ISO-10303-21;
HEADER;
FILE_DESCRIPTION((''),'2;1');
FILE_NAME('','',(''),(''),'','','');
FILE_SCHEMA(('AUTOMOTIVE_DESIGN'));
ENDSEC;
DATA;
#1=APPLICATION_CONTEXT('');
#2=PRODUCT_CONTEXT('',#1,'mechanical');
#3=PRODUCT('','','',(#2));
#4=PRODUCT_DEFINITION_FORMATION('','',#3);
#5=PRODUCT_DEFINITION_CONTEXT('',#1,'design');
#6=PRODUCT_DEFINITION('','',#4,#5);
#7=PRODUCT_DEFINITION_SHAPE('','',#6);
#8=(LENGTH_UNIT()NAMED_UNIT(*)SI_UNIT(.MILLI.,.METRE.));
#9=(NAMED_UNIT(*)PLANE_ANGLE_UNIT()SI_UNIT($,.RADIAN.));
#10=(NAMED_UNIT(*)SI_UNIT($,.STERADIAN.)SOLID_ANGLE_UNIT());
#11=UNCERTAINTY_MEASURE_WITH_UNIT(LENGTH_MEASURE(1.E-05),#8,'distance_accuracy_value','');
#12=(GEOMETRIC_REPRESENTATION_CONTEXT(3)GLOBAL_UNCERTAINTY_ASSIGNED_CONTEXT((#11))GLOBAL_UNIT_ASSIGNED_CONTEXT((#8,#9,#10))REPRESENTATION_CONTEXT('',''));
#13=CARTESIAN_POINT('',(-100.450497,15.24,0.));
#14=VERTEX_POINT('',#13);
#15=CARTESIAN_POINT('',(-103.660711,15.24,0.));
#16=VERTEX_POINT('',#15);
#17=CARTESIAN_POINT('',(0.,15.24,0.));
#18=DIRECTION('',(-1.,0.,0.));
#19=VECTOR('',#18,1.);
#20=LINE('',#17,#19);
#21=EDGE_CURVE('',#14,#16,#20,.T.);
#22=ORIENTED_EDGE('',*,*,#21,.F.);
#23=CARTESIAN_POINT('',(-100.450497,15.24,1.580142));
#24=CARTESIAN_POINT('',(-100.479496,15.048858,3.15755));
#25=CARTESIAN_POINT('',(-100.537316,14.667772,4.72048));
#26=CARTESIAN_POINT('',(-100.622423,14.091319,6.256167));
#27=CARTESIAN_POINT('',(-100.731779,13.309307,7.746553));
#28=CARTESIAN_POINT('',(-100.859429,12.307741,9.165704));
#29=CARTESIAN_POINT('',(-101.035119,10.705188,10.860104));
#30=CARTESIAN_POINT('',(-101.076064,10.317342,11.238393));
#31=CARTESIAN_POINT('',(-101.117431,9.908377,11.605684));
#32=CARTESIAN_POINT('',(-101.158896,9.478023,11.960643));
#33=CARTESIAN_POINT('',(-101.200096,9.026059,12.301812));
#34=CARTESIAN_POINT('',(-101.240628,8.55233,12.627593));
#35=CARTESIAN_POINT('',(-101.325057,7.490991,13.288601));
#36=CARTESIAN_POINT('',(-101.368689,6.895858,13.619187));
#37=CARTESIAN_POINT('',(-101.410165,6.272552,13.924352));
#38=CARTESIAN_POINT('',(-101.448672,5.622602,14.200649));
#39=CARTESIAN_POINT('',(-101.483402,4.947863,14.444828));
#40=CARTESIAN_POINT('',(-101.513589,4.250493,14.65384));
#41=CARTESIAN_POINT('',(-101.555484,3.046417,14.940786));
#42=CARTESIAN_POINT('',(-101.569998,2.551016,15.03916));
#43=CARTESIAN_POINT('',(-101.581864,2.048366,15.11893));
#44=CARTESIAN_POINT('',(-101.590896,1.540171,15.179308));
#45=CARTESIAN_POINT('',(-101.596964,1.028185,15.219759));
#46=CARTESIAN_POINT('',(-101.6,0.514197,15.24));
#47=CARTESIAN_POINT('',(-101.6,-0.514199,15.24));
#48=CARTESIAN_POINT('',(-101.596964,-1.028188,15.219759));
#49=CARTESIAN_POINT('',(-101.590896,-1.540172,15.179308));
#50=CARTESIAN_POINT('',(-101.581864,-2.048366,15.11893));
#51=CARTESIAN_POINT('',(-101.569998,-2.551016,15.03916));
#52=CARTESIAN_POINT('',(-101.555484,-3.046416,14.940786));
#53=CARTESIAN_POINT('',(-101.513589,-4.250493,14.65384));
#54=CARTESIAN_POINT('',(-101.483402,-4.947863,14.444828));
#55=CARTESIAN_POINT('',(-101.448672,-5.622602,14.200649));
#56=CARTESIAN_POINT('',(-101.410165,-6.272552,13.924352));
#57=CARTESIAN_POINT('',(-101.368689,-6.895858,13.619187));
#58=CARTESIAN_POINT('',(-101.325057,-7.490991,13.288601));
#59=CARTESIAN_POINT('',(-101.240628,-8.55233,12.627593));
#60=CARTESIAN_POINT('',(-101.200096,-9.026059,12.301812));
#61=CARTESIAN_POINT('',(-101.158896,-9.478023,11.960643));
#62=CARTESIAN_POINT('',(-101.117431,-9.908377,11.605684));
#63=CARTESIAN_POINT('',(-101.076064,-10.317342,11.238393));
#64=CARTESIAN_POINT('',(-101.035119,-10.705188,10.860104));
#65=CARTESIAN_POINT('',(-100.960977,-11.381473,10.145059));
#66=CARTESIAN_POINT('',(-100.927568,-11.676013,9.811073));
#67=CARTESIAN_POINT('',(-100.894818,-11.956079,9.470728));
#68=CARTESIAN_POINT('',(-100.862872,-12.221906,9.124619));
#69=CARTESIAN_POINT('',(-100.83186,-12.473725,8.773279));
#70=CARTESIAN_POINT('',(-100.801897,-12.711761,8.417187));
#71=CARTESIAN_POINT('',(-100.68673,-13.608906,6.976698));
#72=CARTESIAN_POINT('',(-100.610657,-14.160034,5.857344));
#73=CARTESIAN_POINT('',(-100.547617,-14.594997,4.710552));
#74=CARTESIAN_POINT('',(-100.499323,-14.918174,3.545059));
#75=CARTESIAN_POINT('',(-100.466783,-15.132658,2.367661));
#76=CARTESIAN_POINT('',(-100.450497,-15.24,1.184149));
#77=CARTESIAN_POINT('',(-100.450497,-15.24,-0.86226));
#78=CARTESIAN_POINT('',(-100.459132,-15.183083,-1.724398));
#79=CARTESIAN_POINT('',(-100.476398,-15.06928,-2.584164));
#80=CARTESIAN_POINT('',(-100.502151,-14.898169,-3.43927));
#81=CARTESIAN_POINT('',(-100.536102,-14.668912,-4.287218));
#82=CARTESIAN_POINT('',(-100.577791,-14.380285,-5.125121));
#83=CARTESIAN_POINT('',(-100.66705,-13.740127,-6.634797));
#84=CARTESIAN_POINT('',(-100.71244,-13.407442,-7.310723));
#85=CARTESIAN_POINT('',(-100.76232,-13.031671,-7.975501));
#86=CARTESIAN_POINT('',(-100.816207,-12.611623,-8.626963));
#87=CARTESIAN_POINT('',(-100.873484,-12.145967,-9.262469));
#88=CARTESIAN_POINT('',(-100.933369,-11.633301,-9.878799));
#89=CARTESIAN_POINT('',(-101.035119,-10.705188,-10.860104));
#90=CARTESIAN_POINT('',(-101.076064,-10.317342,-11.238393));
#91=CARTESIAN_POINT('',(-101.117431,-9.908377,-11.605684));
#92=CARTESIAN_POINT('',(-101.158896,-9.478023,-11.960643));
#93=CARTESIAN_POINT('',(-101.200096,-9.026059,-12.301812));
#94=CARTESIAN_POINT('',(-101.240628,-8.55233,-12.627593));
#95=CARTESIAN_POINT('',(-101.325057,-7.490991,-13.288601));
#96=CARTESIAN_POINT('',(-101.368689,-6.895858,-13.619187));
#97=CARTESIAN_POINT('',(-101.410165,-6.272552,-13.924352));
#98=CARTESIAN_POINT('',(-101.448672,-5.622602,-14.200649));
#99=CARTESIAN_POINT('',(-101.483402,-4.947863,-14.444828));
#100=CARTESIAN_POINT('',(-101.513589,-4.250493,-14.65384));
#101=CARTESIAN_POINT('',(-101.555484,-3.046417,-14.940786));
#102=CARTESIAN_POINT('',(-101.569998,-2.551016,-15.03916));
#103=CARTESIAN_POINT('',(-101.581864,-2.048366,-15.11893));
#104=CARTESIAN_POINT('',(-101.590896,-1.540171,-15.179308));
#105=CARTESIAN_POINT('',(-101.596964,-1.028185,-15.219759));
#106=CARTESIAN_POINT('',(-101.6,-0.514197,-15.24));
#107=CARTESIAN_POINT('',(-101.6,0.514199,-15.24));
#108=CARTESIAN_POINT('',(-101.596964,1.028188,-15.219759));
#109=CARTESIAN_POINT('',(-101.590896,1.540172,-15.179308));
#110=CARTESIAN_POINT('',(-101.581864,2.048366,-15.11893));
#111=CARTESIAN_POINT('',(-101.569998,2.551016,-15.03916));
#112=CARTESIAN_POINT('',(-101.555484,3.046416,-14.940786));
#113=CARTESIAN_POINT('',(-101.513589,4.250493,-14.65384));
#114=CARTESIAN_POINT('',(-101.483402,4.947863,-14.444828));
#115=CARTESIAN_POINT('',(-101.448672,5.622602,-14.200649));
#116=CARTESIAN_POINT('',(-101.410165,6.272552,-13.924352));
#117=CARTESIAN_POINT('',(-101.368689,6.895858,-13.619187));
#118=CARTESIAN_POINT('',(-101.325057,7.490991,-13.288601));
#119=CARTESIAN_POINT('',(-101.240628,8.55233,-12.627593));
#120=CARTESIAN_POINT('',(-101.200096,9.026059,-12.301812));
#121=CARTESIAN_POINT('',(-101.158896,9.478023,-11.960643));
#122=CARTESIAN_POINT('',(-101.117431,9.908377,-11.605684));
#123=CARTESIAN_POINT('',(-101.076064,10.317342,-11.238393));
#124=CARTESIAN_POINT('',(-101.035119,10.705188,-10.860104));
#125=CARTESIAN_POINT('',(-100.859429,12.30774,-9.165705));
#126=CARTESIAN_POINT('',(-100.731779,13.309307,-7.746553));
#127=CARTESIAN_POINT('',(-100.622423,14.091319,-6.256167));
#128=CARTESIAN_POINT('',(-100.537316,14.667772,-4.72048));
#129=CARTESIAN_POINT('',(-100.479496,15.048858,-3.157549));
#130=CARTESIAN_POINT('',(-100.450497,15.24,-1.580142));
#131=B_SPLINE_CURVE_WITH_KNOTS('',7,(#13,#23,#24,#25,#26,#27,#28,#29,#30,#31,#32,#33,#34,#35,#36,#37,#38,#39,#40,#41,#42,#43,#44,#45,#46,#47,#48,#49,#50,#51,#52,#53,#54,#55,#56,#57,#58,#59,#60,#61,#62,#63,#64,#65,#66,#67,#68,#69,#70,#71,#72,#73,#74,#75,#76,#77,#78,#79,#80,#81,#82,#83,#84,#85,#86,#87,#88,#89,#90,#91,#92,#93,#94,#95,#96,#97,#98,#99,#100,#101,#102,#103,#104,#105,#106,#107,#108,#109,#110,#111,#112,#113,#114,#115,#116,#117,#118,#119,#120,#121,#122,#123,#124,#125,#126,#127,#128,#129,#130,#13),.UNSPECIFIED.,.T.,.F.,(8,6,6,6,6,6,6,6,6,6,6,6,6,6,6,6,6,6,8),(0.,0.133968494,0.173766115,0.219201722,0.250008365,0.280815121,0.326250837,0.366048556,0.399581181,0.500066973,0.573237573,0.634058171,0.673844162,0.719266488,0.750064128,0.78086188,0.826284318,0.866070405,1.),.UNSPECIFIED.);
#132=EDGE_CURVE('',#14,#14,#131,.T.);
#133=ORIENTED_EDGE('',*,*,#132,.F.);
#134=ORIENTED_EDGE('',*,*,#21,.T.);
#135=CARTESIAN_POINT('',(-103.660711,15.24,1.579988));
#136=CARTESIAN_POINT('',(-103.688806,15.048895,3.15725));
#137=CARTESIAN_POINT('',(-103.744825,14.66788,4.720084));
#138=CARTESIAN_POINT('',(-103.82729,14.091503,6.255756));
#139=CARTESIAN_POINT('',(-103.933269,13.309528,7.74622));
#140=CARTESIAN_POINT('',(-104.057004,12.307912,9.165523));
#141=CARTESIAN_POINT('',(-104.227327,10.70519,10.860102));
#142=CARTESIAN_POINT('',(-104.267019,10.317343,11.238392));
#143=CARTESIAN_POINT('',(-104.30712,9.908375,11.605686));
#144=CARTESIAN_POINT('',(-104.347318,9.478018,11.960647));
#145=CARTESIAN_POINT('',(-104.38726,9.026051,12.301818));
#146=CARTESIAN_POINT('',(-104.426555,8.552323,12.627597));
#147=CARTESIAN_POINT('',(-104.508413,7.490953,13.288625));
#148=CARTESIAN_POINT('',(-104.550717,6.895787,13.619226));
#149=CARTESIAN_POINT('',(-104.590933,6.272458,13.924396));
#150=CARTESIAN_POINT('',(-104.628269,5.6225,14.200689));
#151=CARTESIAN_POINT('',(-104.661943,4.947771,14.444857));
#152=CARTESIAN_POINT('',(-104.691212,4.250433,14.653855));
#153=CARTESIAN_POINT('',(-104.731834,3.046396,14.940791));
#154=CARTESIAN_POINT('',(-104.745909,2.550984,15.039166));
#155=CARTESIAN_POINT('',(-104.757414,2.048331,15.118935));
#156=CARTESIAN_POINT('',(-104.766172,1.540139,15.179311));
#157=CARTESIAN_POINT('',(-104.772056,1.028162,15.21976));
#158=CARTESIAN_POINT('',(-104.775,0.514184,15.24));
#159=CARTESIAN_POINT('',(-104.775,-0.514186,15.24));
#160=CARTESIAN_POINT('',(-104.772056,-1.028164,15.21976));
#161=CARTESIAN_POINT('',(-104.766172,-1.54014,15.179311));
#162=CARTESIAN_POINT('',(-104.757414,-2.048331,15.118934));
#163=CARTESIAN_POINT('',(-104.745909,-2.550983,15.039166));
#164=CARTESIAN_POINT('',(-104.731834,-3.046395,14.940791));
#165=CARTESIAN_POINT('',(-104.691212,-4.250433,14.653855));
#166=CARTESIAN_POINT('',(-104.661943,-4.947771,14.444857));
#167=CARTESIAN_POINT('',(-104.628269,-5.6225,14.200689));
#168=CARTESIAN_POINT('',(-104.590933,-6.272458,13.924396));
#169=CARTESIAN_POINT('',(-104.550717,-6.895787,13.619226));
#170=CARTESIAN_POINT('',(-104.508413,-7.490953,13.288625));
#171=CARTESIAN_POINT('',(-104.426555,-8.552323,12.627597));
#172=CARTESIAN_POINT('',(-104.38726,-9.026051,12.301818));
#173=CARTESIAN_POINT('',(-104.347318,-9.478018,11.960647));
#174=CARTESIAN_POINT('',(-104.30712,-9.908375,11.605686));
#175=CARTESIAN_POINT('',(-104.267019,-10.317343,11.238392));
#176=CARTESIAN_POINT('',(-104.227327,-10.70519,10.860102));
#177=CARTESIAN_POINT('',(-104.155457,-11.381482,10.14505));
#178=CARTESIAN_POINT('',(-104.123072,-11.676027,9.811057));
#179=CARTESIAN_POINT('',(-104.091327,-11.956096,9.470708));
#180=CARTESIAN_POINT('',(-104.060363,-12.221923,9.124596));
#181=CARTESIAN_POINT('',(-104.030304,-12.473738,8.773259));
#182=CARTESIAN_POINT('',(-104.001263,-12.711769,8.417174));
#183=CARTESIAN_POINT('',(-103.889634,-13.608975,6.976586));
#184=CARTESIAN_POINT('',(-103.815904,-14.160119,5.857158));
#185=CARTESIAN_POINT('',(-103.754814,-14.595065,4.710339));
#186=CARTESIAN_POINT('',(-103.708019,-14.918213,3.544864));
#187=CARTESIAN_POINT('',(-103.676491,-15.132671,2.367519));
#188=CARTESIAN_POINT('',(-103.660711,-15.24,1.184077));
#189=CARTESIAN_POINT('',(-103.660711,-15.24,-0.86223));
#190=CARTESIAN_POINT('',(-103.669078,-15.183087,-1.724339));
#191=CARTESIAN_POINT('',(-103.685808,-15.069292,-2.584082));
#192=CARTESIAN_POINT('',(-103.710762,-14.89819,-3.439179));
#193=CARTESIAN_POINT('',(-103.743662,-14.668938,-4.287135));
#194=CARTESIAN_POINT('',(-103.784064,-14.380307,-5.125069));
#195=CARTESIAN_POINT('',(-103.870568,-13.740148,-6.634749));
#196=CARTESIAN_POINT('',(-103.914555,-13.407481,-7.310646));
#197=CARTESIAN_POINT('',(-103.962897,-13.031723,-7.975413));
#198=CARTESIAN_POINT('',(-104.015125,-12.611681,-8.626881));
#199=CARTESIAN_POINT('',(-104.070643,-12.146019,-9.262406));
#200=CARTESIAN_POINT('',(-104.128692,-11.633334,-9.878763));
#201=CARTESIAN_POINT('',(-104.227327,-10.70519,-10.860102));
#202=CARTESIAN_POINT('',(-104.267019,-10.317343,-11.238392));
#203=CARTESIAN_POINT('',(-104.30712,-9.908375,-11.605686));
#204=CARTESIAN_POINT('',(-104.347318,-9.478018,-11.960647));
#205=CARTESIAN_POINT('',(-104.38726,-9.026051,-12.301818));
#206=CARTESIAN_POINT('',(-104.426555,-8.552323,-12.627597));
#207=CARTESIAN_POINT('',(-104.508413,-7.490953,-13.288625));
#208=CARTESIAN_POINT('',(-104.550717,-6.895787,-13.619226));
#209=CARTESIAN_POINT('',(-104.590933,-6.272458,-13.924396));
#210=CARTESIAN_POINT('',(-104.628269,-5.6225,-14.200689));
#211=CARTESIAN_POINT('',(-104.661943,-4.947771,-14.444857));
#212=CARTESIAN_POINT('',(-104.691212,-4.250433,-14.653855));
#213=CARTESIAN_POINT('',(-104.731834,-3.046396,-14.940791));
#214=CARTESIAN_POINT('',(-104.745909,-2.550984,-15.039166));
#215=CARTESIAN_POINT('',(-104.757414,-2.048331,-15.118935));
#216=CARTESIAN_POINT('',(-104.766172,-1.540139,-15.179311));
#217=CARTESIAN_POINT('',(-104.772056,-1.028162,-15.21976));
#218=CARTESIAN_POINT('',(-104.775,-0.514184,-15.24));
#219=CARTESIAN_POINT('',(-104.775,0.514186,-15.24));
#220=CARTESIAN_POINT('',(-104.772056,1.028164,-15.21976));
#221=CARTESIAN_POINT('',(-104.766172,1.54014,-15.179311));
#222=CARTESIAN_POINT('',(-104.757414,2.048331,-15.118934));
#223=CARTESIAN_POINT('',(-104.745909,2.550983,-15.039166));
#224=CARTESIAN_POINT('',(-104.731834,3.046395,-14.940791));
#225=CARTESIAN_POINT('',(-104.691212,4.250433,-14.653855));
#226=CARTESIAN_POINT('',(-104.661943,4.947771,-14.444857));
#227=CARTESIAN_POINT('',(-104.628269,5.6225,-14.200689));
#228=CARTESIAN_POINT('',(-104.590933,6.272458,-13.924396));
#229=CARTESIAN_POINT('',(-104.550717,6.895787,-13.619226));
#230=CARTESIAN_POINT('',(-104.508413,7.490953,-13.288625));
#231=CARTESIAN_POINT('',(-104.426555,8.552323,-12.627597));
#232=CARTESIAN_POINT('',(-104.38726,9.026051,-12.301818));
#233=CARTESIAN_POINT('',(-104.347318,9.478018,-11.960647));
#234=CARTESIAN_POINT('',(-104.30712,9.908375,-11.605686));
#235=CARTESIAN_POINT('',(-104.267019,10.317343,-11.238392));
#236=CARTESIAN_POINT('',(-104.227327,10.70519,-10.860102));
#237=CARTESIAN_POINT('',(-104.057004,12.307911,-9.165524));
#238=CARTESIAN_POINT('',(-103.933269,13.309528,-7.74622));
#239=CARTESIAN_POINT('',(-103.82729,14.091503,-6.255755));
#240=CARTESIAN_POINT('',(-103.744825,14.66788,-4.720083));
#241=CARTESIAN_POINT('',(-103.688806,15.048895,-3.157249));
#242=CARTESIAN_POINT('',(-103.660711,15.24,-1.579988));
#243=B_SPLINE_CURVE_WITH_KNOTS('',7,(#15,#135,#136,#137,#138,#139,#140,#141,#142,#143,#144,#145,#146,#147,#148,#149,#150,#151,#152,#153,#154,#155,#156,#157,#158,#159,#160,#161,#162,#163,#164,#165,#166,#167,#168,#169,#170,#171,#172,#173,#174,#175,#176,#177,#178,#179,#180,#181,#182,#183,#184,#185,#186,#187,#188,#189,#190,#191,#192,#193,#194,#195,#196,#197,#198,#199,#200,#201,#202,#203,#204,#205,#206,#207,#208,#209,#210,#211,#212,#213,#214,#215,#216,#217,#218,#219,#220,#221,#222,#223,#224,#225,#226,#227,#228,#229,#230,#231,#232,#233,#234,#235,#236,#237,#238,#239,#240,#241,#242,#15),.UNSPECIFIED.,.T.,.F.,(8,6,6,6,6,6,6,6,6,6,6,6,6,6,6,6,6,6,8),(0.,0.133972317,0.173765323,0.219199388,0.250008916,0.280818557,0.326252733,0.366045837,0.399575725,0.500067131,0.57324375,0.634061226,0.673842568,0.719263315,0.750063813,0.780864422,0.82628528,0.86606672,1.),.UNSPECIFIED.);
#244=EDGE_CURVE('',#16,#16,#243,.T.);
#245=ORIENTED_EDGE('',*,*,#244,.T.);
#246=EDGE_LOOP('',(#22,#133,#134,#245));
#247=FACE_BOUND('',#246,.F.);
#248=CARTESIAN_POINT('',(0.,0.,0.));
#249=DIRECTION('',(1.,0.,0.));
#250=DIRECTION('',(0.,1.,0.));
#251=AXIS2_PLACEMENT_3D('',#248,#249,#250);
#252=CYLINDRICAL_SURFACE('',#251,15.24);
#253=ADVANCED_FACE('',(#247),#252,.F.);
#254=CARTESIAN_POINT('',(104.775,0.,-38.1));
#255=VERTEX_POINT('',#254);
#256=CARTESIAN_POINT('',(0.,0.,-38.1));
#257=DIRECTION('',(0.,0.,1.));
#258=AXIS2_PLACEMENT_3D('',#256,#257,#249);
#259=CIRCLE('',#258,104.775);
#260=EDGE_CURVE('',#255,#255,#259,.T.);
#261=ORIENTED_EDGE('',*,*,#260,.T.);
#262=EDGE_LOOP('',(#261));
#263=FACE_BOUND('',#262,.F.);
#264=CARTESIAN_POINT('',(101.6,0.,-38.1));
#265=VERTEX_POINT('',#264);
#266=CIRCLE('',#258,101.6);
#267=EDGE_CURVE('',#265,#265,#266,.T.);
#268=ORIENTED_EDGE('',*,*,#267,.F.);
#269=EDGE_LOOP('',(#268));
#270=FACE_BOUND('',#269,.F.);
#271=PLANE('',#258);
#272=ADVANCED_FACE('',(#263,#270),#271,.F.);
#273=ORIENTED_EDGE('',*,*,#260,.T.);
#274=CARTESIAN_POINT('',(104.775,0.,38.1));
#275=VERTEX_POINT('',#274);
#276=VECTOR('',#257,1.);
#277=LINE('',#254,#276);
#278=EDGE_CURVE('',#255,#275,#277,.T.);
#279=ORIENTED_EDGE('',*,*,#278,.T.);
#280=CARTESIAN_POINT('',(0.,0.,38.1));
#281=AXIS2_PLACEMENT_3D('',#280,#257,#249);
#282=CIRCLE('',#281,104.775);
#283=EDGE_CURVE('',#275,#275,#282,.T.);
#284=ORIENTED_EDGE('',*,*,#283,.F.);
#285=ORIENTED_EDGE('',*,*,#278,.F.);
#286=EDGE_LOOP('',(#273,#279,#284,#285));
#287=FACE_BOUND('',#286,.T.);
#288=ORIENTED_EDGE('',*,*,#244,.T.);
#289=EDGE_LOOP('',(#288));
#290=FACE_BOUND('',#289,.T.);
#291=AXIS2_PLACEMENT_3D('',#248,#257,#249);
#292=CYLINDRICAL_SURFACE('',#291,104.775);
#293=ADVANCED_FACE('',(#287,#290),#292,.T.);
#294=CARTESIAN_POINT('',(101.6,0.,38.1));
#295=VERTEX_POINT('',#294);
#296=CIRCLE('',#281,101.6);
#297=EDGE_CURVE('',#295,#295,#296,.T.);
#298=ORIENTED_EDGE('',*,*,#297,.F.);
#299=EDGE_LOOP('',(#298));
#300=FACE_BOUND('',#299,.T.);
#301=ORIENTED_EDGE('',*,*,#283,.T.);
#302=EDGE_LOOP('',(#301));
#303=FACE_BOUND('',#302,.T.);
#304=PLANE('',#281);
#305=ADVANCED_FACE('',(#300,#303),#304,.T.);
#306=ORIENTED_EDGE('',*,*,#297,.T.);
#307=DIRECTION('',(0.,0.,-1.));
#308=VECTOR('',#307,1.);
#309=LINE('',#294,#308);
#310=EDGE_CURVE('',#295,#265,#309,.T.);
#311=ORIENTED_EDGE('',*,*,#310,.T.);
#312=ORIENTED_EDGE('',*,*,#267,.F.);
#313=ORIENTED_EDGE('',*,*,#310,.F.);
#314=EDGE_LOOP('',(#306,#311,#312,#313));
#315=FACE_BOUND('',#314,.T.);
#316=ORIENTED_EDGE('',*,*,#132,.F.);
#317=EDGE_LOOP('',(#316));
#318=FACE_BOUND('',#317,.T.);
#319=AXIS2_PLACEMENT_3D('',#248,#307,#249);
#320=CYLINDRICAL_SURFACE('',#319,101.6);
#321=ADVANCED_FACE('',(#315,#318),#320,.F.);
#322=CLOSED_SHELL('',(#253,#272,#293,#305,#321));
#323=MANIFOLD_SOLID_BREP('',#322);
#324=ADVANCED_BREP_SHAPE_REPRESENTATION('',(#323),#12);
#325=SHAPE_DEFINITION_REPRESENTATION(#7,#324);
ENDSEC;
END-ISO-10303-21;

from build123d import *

# Parameters (mm, degrees)
F0_R     = 104.775
F0_R_2   = 101.6
F1_DEPTH = 38.1
F2_R     = 15.24
F3_DEPTH = 104.776


with BuildPart() as f1:
    # F0 (on Top) → F1 (new body, symmetric)
    with BuildSketch(Plane.XY):
        Circle(F0_R)
        Circle(F0_R_2, mode=Mode.SUBTRACT)
    extrude(amount=F1_DEPTH, both=True)

    # F2 (on Right) → F3 (cut, through all)
    with BuildSketch(Plane.YZ):
        Circle(F2_R)
    extrude(amount=-F3_DEPTH, mode=Mode.SUBTRACT)


solid = f1.part
